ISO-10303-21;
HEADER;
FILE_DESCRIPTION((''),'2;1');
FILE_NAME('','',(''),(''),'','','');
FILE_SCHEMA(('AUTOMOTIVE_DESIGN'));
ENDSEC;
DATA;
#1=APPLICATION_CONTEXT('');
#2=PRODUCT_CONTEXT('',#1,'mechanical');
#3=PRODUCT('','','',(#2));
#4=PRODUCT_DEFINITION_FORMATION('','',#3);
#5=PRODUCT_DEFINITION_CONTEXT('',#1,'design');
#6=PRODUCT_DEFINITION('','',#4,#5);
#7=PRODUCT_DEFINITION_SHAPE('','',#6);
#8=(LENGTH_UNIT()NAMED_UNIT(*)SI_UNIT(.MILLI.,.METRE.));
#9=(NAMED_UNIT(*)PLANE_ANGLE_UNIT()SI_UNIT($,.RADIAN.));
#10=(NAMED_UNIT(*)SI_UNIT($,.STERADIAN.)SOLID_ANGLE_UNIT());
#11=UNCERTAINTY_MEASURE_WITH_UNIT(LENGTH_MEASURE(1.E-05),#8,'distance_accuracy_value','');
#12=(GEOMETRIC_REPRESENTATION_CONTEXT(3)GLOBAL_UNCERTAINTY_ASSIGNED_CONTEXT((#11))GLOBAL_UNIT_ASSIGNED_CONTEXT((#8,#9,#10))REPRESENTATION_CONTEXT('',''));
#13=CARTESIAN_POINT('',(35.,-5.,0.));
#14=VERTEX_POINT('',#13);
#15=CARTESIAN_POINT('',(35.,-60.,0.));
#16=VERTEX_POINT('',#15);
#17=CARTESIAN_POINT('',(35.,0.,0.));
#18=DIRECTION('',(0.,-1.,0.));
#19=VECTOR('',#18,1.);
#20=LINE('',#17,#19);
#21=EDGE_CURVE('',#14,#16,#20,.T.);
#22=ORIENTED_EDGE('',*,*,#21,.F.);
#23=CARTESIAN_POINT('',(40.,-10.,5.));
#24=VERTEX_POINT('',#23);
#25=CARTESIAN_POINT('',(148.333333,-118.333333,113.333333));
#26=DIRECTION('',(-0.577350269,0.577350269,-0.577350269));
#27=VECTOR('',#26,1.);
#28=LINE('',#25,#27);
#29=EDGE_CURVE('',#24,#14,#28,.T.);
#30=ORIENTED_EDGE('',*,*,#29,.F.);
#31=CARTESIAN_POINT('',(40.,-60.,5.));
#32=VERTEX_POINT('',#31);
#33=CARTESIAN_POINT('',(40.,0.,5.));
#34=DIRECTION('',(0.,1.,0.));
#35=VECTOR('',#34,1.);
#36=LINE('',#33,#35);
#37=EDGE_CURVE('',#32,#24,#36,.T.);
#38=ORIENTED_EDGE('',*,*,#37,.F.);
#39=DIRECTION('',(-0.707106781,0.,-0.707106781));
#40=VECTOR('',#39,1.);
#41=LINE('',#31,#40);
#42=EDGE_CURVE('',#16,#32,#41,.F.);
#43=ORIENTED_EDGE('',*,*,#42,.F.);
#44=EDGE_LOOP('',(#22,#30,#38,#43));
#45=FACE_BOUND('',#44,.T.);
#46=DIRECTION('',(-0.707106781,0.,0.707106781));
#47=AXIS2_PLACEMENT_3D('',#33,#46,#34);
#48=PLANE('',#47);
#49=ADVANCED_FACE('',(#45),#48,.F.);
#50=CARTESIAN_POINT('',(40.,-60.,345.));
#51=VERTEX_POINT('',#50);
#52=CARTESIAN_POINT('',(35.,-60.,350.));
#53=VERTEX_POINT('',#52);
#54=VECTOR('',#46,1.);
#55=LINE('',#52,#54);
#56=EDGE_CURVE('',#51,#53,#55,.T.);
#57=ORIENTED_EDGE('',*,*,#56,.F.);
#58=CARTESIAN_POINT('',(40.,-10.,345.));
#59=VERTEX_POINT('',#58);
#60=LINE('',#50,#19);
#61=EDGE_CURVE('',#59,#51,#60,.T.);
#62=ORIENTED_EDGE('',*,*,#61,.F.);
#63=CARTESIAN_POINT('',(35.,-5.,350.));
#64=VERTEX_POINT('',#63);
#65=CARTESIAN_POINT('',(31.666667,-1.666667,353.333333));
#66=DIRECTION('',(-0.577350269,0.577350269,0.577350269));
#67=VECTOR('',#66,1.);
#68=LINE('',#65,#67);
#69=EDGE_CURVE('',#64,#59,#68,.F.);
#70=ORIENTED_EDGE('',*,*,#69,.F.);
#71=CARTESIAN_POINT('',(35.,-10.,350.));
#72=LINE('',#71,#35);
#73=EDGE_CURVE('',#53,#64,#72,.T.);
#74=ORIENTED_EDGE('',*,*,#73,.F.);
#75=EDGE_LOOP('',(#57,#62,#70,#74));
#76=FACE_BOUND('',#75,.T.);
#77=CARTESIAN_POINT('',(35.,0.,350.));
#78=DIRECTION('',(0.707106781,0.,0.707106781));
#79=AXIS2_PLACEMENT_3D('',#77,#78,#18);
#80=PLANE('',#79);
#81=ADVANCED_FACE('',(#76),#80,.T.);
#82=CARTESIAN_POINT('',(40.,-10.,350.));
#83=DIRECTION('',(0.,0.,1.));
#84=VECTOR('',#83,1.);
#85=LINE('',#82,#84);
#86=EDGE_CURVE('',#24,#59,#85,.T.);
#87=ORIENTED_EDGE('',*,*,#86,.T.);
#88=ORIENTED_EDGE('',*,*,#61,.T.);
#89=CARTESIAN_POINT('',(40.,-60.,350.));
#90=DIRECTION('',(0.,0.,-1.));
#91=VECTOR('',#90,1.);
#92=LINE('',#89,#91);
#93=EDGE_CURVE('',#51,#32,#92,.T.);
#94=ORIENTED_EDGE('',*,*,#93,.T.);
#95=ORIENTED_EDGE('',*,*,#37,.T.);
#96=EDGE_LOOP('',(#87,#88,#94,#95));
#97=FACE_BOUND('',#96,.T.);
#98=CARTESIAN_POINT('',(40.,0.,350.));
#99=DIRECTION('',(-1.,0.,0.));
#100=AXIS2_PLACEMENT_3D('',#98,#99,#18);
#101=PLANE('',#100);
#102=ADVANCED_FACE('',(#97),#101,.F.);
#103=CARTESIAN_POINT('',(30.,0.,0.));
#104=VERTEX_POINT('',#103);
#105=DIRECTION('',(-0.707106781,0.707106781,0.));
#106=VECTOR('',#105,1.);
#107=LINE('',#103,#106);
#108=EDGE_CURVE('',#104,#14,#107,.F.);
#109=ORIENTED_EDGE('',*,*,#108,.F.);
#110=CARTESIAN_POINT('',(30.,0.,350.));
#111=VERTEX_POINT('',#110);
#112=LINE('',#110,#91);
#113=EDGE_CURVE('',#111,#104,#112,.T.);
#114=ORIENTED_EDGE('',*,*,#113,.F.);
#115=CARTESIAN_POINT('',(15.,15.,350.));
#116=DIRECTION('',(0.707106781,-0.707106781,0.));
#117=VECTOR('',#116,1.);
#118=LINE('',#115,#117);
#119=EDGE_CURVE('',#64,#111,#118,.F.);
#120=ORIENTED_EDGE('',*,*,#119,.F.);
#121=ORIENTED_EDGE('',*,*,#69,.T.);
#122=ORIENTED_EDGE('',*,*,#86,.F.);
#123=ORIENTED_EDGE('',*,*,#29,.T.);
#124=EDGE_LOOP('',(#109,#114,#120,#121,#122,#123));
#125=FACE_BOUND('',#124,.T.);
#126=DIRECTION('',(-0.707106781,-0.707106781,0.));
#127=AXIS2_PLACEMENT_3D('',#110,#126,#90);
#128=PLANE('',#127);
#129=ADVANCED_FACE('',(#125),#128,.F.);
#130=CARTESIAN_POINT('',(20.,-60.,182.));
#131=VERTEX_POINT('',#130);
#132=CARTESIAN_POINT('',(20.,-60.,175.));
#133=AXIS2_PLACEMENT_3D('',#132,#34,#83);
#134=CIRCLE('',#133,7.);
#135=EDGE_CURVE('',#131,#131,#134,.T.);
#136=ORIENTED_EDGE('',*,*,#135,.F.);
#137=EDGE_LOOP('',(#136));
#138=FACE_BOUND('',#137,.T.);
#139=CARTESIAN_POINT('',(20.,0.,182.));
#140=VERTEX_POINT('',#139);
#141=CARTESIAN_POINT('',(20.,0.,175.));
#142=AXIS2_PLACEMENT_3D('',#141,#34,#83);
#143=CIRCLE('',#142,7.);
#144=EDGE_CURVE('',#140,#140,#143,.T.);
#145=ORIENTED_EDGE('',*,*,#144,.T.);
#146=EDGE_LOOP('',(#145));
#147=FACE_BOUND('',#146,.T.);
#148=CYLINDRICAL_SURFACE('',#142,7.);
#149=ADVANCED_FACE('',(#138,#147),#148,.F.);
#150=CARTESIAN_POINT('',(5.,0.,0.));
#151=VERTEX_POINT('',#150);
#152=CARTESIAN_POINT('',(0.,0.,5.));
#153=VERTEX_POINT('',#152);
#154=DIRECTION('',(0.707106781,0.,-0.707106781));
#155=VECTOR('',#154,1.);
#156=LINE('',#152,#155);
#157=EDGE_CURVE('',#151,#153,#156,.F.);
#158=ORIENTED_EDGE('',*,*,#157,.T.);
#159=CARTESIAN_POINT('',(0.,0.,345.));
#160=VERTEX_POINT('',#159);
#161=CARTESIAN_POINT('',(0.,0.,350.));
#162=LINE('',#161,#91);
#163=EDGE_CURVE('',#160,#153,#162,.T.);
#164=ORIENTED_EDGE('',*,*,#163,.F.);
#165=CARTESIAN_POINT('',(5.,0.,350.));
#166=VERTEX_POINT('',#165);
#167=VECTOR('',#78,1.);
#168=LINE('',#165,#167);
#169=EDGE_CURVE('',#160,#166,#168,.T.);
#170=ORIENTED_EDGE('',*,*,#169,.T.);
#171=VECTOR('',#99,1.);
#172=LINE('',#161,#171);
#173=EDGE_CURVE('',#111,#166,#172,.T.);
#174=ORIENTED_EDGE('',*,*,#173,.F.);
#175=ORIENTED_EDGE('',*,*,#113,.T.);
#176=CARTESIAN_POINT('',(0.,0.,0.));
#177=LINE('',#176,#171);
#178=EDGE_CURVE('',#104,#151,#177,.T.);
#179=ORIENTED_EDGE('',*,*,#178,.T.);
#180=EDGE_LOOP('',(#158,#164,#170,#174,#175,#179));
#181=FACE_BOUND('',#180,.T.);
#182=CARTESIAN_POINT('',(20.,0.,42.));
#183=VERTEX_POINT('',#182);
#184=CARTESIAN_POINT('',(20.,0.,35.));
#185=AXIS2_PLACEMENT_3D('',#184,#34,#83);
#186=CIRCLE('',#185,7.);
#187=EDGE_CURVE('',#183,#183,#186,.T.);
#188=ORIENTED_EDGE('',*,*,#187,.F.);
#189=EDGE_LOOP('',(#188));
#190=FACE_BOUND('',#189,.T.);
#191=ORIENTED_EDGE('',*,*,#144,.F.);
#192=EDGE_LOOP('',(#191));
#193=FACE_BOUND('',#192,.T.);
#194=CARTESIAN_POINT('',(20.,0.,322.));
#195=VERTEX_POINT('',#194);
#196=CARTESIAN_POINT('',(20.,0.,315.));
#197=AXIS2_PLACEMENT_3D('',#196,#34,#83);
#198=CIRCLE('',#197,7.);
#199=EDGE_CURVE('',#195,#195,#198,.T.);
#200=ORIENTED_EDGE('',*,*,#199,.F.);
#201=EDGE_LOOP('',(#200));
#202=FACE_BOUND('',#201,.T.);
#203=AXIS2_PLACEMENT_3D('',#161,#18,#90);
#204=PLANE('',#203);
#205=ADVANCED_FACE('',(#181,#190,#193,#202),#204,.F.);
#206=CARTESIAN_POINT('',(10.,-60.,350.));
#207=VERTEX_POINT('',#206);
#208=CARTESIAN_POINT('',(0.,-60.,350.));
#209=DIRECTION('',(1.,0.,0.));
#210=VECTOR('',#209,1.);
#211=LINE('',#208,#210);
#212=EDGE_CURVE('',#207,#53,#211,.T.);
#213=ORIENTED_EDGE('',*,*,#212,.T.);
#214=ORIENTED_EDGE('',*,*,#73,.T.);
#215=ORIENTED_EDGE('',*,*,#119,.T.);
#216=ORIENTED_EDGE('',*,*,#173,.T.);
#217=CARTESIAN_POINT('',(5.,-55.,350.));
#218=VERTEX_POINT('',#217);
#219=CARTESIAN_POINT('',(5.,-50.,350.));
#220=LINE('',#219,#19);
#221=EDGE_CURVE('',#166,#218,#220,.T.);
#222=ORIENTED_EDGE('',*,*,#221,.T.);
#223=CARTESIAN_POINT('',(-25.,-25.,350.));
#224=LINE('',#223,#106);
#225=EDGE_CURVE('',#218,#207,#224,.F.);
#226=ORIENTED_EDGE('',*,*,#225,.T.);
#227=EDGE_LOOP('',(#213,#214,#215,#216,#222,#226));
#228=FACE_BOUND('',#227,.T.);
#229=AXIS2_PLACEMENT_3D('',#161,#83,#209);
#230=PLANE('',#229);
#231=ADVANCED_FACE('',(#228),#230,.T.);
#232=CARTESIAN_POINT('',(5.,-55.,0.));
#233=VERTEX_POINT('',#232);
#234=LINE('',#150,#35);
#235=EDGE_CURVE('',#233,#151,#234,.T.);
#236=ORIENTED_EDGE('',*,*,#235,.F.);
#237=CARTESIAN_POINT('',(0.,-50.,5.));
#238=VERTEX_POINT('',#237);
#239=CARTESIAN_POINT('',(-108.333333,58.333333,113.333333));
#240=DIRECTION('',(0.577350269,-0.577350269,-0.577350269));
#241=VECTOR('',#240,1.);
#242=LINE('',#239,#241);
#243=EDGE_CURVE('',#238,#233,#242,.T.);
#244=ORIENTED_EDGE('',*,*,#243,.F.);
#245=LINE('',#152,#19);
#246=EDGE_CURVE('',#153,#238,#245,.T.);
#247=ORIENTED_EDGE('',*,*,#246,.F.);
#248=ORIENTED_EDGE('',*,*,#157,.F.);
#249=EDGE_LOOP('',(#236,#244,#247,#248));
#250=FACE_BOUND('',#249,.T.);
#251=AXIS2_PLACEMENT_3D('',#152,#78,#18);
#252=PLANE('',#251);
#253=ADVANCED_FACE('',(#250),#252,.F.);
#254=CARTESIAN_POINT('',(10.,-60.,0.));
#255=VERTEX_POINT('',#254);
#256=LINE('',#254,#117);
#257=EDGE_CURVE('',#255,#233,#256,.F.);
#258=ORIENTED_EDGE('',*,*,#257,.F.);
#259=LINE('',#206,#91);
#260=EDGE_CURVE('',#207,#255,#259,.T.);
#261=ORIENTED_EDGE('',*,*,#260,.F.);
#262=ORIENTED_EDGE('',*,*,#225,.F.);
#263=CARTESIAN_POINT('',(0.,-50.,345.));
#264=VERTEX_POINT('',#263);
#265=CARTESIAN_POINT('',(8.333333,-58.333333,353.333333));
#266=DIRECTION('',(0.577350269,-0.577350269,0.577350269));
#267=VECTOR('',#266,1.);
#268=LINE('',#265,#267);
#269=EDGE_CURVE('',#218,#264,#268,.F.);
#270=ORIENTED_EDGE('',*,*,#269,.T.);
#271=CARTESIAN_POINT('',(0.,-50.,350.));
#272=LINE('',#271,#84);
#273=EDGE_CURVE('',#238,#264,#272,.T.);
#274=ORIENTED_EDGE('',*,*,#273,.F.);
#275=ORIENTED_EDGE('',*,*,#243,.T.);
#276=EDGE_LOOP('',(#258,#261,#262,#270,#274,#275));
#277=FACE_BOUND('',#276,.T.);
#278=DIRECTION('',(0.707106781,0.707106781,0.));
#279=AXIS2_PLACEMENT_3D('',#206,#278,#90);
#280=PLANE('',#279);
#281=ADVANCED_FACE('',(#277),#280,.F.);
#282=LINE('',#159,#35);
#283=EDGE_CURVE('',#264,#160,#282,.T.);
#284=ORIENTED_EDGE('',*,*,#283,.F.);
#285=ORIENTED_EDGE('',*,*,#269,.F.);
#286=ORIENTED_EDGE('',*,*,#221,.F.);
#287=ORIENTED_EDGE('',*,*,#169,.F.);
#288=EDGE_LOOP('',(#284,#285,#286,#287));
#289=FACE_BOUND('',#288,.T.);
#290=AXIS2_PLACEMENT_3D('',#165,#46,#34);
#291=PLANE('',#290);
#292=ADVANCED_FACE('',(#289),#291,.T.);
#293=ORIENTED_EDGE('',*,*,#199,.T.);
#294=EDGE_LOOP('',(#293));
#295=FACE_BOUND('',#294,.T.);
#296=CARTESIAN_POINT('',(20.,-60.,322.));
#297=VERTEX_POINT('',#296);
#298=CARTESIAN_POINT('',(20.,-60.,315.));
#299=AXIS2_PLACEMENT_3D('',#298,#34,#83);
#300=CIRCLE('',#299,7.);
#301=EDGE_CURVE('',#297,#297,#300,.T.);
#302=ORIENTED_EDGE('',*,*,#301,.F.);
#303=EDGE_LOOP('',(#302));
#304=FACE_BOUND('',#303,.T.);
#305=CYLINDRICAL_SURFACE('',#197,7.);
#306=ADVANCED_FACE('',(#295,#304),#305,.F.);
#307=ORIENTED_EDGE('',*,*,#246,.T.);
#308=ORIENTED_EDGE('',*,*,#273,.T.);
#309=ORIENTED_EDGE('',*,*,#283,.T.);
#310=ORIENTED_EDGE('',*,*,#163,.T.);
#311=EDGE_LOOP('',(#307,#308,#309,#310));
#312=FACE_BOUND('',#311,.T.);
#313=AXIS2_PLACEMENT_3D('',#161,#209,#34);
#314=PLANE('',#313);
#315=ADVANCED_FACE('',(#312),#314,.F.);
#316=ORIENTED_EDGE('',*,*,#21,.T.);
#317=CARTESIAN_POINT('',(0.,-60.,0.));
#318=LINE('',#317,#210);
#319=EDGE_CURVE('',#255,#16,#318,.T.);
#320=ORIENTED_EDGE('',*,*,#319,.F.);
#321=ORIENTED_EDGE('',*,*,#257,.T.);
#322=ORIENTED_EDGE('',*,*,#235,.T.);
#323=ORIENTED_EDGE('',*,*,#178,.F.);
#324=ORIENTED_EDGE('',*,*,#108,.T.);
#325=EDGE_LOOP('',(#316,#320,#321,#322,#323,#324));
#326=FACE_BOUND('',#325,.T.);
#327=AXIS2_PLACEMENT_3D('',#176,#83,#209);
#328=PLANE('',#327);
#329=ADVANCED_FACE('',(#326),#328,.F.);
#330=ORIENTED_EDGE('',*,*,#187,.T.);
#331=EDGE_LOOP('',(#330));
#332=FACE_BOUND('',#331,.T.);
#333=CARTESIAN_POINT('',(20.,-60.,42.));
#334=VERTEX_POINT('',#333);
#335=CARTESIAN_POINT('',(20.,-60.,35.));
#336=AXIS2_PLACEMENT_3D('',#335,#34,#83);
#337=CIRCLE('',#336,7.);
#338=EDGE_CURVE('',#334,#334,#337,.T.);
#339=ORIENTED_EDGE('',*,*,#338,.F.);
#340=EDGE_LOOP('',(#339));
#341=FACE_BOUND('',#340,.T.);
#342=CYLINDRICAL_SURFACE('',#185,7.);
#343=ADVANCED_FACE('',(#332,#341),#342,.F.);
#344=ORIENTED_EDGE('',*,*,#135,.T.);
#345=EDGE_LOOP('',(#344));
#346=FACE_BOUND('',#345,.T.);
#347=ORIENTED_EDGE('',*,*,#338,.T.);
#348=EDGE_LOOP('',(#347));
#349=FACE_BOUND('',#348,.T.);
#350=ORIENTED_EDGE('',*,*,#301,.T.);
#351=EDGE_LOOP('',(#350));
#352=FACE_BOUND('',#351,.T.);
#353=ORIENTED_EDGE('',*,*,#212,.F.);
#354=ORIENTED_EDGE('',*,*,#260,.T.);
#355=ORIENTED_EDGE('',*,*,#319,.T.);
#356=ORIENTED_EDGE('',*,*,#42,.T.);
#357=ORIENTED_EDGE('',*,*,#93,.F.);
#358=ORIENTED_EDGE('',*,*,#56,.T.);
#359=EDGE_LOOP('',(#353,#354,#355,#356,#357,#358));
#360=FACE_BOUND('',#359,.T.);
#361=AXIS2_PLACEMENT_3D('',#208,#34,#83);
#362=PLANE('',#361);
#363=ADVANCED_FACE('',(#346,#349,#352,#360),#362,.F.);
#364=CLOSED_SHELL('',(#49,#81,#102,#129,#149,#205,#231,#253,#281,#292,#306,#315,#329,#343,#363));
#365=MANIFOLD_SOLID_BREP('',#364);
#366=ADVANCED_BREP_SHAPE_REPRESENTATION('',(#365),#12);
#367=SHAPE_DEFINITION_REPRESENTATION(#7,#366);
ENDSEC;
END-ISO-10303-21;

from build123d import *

# Parameters (mm, degrees)
SKETCH_1_W          = 40
SKETCH_1_H          = 60
EXTRUDE_1_DEPTH     = 350
CHAMFER_1_SIZE      = 10
HOLE_WIZARD_M16_1_D = 14
CHAMFER_2_SIZE      = 5


with BuildPart() as part:
    # 草图1 → 凸台-拉伸1 (new body)
    with BuildSketch(Plane.XY):
        with Locations((20, -30)):
            Rectangle(SKETCH_1_W, SKETCH_1_H)
    extrude(amount=EXTRUDE_1_DEPTH)

    # 倒角1
    chamfer_1_edges = [part.edges().sort_by_distance(p)[0] for p in [
        (40, 0, 175),
        (0, -60, 175),
    ]]
    chamfer(chamfer_1_edges, length=CHAMFER_1_SIZE)

    # M16 螺纹孔1 (through all)
    with Locations(Plane(origin=(0, 0, 0), x_dir=(1, 0, 0), z_dir=(0, 1, 0))):
        with Locations((20, -315), (20, -175), (20, -35)):
            Hole(HOLE_WIZARD_M16_1_D / 2)

    # 倒角2
    chamfer_2_edges = [part.edges().sort_by_distance(p)[0] for p in [
        (40, -35, 350),
        (0, -25, 350),
        (40, -35, 0),
        (0, -25, 0),
    ]]
    chamfer(chamfer_2_edges, length=CHAMFER_2_SIZE)


solid = part.part
